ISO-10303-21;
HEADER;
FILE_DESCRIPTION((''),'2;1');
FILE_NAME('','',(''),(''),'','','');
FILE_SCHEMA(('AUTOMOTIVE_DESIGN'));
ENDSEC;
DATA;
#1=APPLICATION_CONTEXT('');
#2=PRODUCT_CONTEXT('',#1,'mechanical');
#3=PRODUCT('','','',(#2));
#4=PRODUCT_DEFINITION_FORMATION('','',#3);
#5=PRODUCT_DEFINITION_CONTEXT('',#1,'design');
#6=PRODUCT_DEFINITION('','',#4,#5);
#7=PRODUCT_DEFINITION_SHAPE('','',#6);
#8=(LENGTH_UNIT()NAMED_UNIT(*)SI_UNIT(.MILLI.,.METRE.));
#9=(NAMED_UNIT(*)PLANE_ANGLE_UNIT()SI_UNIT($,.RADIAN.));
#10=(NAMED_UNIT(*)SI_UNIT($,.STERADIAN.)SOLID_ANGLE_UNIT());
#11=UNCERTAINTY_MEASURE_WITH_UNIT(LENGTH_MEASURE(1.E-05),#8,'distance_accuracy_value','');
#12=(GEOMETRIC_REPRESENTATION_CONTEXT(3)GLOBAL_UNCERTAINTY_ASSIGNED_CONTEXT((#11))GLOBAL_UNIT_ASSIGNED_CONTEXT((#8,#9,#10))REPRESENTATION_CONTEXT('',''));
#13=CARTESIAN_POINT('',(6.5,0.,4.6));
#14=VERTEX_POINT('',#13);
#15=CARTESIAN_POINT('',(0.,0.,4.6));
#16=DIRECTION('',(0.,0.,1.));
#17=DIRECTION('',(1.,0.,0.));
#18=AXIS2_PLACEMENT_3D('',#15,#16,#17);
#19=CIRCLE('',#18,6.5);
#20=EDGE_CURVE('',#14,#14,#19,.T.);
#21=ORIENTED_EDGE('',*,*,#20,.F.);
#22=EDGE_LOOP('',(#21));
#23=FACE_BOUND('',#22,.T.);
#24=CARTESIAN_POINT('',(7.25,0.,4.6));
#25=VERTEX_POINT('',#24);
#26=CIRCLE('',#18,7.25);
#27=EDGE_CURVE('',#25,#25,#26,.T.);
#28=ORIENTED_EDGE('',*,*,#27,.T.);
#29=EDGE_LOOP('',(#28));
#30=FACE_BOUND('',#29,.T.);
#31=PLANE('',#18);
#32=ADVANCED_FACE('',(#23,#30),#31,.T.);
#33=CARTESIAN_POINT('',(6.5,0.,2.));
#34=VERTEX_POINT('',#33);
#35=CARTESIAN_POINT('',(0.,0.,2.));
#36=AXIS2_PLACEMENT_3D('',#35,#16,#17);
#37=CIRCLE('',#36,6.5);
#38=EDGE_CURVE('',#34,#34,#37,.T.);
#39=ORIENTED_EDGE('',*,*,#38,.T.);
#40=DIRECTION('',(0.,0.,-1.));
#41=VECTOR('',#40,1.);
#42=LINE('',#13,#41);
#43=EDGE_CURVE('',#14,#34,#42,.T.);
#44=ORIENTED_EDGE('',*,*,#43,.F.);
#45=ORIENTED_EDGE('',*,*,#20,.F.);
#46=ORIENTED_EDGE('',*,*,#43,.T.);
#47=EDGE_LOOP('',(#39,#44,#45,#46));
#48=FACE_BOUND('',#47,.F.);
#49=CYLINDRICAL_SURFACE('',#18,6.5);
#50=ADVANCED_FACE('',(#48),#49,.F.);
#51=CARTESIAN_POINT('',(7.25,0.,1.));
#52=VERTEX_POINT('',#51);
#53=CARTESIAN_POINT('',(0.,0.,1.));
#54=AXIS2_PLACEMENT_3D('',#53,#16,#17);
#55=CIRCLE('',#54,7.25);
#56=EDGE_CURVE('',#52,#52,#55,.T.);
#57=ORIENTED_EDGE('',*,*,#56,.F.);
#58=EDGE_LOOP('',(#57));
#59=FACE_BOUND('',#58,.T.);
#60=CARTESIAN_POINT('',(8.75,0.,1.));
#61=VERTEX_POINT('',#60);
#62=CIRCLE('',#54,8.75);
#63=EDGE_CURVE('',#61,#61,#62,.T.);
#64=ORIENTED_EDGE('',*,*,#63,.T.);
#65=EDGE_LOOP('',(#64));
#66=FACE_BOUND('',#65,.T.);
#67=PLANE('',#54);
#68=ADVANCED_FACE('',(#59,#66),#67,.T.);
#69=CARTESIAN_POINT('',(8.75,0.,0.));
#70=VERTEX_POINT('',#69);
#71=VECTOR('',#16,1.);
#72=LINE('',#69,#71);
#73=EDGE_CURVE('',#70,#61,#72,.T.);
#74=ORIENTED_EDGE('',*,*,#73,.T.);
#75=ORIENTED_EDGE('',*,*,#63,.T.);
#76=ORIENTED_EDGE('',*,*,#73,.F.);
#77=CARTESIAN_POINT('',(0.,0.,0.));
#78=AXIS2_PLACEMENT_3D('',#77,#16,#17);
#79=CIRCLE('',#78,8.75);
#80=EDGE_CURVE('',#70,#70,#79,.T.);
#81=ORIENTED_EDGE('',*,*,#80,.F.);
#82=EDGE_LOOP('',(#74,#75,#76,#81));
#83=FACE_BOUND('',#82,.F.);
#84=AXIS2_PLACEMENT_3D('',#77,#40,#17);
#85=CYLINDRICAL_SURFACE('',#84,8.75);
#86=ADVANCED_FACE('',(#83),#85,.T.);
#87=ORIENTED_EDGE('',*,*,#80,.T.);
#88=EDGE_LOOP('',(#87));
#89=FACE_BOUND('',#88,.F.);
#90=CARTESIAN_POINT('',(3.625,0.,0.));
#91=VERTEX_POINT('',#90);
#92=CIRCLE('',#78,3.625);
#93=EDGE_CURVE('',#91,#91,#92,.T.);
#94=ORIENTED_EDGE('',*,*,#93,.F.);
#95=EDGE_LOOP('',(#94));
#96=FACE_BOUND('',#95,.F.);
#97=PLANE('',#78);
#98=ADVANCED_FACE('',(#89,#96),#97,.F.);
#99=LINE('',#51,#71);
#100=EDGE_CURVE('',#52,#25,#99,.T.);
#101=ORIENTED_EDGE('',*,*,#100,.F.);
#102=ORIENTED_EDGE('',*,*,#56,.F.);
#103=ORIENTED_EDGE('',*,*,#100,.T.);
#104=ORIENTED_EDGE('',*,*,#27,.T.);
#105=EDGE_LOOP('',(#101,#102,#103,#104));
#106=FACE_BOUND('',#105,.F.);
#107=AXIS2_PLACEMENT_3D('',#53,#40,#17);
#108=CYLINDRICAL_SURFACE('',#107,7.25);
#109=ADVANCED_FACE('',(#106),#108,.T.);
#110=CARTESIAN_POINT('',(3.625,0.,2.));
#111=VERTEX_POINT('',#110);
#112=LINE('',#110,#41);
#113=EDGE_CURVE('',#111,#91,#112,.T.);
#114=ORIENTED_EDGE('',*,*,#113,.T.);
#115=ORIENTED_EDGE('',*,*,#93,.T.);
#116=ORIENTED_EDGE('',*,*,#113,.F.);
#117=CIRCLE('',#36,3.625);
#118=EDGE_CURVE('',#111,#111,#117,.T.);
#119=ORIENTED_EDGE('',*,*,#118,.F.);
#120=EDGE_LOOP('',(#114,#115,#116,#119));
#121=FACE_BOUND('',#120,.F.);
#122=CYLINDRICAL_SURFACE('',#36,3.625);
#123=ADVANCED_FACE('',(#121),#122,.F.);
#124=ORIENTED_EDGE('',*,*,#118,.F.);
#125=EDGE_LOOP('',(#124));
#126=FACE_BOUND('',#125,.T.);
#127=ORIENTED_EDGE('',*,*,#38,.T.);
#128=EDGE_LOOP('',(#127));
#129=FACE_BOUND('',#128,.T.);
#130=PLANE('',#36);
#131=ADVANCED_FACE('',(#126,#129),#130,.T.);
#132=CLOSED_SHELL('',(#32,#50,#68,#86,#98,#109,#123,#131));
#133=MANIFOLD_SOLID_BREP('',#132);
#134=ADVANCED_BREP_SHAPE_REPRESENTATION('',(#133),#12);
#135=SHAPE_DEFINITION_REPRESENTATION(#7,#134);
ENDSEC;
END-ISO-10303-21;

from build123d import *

# Parameters (mm, degrees)
F0_R     = 8.75
F1_DEPTH = 1
F2_R     = 7.25
F3_DEPTH = 3.6
F4_R     = 6.5
F5_DEPTH = 2.6
F6_R     = 3.625
F7_DEPTH = 2.001


with BuildPart() as f1:
    # F0 (on Top) → F1 (new body)
    with BuildSketch(Plane.XY):
        Circle(F0_R)
    extrude(amount=F1_DEPTH)

    # F2 (on face) → F3 (join)
    with BuildSketch(Plane.XY.offset(1)):
        Circle(F2_R)
    extrude(amount=F3_DEPTH)

    # F4 (on face) → F5 (cut)
    with BuildSketch(Plane.XY.offset(4.6)):
        Circle(F4_R)
    extrude(amount=-F5_DEPTH, mode=Mode.SUBTRACT)

    # F6 (on face) → F7 (cut, through all)
    with BuildSketch(Plane.XY.offset(2)):
        Circle(F6_R)
    extrude(amount=-F7_DEPTH, mode=Mode.SUBTRACT)


solid = f1.part
